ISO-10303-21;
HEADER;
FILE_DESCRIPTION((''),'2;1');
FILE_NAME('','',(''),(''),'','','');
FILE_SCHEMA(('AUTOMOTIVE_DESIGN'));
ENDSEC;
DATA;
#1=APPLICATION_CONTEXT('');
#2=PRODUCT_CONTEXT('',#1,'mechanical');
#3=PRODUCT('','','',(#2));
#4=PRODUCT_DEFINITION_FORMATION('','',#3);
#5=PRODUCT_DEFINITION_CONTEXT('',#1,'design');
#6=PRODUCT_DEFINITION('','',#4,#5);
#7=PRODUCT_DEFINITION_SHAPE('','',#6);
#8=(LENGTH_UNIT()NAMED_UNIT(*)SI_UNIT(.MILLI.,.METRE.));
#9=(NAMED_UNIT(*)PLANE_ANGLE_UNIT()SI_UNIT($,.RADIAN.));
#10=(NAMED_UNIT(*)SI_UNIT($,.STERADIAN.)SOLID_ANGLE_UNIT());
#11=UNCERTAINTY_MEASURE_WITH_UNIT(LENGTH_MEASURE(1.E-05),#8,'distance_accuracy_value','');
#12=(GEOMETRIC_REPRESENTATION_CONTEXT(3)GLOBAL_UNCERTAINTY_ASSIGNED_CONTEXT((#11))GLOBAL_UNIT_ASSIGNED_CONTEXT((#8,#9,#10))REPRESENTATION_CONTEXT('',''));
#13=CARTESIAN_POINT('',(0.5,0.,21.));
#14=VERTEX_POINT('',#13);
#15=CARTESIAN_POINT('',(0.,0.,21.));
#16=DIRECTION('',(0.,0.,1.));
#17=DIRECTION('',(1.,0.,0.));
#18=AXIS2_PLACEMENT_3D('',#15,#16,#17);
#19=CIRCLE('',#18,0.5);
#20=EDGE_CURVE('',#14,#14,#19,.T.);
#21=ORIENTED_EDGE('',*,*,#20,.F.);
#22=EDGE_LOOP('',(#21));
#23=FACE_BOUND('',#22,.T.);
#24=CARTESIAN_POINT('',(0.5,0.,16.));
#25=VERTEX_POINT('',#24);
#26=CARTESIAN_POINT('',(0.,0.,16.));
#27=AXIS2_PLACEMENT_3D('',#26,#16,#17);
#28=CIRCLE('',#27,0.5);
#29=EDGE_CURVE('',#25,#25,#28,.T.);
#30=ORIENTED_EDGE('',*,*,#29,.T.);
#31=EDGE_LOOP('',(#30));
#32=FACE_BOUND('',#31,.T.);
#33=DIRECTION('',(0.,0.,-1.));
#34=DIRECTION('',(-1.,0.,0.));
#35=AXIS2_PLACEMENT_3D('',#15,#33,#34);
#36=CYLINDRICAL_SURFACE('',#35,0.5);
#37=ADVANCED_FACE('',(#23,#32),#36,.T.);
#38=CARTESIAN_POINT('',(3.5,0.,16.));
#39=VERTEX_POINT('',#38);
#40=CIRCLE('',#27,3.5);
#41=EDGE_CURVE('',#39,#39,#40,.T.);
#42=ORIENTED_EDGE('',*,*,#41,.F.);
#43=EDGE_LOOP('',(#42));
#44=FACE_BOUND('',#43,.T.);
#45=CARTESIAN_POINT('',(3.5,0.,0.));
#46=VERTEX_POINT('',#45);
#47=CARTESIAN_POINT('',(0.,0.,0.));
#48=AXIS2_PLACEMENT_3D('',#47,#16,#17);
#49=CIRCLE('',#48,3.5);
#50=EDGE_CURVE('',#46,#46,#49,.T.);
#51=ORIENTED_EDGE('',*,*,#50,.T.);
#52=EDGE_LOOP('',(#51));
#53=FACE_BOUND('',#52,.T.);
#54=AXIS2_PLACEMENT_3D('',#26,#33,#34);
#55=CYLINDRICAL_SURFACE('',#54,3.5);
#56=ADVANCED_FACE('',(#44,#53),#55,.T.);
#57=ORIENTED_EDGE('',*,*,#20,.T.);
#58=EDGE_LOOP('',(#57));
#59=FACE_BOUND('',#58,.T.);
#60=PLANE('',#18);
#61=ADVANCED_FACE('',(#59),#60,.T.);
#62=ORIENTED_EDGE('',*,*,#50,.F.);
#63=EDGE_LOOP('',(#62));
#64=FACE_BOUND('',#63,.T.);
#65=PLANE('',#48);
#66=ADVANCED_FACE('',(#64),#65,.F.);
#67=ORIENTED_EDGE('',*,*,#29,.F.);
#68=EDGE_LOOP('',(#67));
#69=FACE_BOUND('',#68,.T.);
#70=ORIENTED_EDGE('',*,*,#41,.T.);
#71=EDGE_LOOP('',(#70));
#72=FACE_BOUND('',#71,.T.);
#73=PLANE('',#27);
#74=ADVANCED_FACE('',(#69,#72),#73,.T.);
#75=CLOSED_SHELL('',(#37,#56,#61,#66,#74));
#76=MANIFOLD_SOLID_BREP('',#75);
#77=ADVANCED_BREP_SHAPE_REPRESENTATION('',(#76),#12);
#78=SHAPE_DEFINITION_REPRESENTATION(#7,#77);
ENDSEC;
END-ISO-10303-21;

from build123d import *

# Parameters (mm, degrees)
SKETCH_1_R      = 3.5
EXTRUDE_1_DEPTH = 16
SKETCH_2_R      = 0.5
EXTRUDE_2_DEPTH = 5


with BuildPart() as part:
    # 草图1 → 凸台-拉伸1 (new body)
    with BuildSketch(Plane.XY):
        Circle(SKETCH_1_R)
    extrude(amount=EXTRUDE_1_DEPTH)

    # 草图2 → 凸台-拉伸2 (add)
    with BuildSketch(Plane.XY.offset(16)):
        Circle(SKETCH_2_R)
    extrude(amount=EXTRUDE_2_DEPTH)


solid = part.part
